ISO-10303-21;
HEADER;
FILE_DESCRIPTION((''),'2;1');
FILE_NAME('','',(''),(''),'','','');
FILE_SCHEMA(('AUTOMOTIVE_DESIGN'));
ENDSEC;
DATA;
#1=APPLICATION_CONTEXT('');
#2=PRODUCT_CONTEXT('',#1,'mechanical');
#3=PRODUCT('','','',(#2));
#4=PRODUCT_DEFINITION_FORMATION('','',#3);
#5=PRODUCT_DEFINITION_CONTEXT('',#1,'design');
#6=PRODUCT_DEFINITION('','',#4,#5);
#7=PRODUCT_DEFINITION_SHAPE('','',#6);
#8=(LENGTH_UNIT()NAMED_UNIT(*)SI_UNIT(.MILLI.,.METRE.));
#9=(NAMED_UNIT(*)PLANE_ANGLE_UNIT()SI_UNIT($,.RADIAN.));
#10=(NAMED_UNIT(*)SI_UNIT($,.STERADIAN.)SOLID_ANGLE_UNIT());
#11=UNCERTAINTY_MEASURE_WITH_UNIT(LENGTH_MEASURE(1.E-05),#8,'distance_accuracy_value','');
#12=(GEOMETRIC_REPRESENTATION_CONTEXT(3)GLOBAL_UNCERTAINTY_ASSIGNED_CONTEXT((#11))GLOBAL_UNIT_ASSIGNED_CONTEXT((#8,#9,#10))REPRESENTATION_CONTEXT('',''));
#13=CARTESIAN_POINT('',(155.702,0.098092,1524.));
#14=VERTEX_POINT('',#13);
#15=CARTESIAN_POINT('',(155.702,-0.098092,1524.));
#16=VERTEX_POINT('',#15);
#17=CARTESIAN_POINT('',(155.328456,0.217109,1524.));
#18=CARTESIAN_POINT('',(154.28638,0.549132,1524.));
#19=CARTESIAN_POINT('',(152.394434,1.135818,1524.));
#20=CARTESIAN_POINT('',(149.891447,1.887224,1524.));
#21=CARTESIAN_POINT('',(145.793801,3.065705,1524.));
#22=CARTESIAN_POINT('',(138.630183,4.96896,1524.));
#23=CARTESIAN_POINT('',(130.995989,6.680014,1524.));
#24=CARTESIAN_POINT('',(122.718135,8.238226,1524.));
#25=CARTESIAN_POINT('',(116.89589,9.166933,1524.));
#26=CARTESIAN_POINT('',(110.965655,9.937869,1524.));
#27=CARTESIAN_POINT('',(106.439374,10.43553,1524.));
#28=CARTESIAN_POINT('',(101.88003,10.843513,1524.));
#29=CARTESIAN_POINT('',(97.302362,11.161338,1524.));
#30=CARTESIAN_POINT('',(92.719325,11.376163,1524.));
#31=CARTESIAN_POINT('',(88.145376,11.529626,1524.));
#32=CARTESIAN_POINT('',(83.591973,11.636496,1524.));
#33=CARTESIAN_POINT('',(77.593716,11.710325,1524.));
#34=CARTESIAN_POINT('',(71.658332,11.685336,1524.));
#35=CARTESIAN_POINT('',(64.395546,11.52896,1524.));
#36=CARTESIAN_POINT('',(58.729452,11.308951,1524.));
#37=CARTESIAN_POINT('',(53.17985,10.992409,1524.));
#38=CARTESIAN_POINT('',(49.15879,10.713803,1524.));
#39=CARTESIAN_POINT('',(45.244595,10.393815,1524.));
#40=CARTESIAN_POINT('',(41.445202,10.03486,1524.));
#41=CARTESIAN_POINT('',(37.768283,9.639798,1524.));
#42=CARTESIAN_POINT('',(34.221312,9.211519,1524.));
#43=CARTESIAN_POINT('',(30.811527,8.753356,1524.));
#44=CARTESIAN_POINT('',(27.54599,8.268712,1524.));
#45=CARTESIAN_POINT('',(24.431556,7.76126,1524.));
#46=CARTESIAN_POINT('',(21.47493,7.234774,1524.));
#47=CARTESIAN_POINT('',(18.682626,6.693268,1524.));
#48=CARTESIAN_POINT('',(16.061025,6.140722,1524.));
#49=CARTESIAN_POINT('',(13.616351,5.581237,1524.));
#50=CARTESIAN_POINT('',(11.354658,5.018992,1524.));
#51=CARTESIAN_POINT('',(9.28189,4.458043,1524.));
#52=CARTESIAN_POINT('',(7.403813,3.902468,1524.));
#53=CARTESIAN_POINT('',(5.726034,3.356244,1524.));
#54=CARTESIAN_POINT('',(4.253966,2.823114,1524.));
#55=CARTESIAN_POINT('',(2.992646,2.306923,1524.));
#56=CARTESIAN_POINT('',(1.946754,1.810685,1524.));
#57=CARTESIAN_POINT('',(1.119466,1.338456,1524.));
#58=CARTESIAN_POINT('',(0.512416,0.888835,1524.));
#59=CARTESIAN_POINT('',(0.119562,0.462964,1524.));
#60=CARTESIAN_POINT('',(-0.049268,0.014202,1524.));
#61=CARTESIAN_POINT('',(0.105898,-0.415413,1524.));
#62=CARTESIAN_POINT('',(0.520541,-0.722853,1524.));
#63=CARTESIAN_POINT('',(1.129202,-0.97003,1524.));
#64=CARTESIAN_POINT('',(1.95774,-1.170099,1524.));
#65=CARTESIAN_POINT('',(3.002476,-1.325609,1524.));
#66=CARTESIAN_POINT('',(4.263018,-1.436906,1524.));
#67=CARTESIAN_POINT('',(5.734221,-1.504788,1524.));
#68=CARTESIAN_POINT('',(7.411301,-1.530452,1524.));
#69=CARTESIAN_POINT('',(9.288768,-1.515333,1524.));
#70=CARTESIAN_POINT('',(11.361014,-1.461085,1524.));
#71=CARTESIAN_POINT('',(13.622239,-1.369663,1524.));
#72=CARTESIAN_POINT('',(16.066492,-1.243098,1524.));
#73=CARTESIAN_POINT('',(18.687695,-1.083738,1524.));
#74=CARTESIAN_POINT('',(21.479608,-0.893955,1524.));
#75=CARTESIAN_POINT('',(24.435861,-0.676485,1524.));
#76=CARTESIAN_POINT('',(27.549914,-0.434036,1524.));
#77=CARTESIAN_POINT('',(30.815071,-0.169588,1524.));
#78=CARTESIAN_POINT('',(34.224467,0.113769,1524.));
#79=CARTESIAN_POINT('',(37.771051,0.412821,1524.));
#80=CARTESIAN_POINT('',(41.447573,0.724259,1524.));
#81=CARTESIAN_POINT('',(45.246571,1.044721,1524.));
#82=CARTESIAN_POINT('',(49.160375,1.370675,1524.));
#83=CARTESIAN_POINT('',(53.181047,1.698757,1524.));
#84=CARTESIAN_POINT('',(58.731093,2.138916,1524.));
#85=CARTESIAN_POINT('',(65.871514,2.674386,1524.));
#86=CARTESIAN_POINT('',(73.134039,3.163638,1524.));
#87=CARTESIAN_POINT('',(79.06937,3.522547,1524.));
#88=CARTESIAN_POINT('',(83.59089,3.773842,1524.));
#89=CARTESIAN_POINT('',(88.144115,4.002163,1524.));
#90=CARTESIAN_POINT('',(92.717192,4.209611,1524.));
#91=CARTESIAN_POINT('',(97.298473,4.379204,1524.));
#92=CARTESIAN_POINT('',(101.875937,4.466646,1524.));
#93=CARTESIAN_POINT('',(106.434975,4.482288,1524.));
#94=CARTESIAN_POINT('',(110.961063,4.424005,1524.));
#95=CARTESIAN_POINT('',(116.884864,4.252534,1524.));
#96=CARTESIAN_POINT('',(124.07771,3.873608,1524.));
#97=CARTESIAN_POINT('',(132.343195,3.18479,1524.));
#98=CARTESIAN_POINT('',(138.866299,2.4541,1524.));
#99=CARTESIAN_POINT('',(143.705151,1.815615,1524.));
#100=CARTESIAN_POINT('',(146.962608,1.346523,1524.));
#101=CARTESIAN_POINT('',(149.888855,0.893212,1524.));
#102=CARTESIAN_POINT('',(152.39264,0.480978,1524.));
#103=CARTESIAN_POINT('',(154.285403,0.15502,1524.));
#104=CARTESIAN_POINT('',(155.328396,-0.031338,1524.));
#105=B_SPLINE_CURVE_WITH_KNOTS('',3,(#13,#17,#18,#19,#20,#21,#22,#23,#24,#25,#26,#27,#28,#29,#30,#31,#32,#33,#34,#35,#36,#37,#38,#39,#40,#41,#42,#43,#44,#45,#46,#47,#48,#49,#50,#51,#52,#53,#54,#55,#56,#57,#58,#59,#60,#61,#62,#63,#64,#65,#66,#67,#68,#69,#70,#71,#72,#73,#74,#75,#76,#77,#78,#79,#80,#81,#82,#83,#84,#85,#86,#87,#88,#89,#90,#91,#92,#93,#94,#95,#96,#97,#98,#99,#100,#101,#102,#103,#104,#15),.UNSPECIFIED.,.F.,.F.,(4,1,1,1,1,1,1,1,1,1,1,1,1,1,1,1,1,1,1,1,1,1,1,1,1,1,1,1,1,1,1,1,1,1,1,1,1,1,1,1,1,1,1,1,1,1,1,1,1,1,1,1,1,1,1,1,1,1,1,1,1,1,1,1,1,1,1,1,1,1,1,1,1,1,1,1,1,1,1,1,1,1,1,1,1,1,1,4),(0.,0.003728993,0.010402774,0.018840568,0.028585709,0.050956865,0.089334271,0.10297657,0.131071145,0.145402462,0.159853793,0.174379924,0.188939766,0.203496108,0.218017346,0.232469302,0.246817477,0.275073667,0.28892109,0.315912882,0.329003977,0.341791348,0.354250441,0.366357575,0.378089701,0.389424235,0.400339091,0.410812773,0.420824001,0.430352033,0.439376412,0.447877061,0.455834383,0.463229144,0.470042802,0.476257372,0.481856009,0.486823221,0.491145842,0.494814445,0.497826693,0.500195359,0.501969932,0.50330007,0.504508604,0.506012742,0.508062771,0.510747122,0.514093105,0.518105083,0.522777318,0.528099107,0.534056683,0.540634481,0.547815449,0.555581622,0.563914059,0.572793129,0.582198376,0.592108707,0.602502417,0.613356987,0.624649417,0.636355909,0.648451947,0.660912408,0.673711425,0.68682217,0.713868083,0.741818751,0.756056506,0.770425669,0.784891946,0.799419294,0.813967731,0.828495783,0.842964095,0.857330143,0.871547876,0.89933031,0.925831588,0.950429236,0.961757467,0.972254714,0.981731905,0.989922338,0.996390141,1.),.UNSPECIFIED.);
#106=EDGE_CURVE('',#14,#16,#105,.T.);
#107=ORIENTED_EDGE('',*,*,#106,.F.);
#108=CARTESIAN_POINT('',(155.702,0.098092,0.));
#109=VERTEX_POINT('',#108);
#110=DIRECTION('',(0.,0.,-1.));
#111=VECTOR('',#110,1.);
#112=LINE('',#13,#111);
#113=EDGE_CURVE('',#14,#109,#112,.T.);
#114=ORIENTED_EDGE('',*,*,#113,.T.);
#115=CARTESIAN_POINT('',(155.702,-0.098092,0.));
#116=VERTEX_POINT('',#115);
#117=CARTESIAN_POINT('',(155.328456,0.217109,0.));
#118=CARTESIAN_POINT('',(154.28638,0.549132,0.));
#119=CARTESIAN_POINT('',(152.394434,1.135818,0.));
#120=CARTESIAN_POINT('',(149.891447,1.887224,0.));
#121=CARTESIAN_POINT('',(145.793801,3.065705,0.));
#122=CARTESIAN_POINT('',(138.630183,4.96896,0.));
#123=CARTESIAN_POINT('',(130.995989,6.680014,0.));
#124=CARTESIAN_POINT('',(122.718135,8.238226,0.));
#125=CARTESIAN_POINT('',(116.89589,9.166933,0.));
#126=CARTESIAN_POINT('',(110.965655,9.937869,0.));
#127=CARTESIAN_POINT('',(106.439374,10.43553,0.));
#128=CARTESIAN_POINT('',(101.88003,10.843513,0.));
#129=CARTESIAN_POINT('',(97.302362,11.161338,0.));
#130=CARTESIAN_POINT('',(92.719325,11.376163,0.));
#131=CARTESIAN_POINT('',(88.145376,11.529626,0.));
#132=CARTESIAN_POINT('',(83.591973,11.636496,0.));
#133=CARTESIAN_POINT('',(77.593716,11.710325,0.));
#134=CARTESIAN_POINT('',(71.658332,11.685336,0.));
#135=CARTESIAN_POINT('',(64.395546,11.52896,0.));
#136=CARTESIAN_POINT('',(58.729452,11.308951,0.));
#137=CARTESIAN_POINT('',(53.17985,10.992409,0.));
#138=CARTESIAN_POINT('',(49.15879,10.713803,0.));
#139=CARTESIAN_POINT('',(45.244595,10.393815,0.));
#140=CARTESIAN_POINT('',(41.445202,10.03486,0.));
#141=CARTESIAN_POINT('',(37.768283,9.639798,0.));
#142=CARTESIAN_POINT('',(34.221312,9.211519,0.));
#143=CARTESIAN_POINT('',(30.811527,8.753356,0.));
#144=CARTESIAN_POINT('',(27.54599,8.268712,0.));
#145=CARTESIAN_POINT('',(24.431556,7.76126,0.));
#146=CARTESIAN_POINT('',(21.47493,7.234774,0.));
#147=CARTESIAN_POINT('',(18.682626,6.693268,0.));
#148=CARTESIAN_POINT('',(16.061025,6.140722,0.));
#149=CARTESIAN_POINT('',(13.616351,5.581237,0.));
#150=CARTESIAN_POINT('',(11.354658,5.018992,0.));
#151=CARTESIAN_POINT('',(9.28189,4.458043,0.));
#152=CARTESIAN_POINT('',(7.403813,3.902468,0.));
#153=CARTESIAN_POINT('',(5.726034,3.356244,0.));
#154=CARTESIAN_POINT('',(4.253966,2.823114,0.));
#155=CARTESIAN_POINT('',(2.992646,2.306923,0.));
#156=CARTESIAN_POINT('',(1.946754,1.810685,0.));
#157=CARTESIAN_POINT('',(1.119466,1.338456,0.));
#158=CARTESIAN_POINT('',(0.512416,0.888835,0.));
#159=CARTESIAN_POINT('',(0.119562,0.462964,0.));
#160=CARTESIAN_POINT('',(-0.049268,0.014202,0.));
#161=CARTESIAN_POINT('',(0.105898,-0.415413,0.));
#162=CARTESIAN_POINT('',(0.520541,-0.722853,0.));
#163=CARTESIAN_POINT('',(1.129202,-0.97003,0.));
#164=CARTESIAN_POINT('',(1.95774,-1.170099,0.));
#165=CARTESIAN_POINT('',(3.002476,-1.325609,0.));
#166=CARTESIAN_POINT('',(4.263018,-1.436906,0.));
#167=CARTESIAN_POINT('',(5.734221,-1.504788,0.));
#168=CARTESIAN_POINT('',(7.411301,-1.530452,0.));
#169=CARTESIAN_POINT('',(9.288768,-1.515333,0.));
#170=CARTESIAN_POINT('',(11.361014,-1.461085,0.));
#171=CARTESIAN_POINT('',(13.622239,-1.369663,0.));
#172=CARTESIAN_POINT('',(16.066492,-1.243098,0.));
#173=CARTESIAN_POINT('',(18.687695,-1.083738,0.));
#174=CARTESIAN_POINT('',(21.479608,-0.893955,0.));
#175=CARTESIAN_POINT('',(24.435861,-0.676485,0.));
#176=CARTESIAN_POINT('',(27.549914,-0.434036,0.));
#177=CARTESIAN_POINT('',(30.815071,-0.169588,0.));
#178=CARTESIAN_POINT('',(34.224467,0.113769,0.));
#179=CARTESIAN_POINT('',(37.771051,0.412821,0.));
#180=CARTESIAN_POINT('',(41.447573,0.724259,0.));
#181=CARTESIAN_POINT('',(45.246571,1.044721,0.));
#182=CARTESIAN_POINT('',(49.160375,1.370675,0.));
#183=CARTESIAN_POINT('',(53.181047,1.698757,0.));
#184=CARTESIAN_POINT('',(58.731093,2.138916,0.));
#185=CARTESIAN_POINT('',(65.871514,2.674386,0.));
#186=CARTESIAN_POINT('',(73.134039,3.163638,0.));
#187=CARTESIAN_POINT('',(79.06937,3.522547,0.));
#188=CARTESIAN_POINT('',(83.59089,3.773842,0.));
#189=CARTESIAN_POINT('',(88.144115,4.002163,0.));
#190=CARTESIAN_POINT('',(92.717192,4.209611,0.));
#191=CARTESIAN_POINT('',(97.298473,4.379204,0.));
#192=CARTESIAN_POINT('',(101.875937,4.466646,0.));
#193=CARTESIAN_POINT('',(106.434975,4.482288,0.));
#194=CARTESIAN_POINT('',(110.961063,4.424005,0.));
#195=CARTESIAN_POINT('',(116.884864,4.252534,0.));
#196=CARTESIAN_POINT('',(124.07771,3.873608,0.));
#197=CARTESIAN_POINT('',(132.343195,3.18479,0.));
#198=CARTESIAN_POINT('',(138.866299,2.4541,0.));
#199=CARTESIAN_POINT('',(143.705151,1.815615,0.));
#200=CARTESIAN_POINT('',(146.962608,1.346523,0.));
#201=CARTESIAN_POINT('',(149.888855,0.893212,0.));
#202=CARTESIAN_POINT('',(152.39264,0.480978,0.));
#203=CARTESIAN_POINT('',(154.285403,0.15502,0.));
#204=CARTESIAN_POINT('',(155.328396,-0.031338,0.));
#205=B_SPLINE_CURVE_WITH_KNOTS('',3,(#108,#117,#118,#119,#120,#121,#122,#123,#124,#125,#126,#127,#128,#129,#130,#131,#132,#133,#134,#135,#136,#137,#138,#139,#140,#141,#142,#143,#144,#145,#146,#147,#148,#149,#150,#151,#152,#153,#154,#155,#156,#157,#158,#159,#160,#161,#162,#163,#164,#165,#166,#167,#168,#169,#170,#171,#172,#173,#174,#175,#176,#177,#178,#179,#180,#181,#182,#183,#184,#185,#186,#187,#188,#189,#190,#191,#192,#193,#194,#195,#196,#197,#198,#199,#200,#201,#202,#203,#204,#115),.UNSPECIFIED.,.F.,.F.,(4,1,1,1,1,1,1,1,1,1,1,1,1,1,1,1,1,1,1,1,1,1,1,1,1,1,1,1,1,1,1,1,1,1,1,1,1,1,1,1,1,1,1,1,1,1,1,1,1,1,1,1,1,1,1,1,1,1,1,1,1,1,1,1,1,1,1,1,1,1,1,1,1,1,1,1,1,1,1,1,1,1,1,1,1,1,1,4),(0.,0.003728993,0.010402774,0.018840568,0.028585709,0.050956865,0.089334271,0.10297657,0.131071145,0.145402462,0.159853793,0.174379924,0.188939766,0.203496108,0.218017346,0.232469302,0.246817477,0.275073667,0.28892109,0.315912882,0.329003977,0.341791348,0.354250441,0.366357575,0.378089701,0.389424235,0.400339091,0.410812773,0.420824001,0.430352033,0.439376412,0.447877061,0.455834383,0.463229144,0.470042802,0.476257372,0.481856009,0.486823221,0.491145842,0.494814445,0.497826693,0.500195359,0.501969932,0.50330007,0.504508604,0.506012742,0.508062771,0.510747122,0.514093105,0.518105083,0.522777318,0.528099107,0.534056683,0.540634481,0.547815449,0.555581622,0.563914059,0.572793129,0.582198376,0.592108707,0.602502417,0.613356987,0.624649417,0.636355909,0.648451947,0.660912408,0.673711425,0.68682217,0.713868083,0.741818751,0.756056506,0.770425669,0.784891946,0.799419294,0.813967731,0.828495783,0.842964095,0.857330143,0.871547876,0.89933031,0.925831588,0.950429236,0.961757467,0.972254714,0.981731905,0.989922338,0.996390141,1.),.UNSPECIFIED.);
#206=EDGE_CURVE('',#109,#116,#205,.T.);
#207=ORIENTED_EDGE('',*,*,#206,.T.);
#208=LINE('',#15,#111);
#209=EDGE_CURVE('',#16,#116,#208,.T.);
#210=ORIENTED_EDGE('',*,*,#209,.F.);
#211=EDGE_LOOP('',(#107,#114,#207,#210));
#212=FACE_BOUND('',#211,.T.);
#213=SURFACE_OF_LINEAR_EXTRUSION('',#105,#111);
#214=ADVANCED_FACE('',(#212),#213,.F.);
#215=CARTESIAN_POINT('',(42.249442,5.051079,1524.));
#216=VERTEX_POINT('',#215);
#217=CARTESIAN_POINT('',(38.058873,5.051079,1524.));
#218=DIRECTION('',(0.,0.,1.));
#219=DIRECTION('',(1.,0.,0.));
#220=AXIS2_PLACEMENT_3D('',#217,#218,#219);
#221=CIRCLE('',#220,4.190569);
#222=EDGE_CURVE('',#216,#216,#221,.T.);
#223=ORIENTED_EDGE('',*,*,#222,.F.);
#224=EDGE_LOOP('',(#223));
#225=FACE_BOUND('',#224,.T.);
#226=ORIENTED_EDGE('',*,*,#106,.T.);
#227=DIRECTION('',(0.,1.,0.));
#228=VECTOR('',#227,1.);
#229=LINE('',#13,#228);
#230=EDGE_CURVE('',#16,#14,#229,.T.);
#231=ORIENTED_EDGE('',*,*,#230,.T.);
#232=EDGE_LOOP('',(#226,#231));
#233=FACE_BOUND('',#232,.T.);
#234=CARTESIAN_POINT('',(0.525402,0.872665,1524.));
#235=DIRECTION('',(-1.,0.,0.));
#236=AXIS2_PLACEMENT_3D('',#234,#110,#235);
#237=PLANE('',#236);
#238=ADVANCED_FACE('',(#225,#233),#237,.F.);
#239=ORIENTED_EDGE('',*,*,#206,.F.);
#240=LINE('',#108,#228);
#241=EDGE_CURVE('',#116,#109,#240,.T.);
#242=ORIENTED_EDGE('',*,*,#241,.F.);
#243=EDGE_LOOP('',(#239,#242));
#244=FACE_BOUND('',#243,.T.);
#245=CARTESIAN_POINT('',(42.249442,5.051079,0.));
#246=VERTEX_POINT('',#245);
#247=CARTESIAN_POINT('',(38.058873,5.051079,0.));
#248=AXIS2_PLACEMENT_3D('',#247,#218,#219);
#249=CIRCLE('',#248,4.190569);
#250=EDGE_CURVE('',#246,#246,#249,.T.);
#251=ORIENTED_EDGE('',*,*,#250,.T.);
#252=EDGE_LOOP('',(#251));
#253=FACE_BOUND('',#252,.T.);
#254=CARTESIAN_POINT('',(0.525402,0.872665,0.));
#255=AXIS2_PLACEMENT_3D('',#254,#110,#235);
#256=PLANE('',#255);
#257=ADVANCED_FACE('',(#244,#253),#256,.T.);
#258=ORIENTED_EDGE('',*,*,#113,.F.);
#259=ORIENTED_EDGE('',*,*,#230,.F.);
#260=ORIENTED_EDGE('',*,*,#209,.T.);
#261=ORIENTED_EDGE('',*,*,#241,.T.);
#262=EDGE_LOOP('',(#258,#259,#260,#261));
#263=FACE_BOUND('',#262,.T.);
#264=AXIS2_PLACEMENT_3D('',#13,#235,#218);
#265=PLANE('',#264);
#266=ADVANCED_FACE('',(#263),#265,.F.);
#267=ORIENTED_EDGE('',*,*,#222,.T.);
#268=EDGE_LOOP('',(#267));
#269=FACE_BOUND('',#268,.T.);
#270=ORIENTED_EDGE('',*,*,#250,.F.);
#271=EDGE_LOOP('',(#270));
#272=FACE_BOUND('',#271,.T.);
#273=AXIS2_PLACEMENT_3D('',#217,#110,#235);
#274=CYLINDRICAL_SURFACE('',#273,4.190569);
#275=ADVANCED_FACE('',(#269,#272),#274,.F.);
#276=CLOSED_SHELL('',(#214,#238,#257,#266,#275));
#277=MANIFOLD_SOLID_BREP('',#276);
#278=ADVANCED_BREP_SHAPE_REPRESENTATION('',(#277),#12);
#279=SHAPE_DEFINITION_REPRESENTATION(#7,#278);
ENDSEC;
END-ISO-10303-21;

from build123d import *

# Parameters (mm, degrees)
SKETCH4_R           = 4.190569407
BOSS_EXTRUDE1_DEPTH = 1524


with BuildPart() as part:
    # Sketch4 → Boss-Extrude1 (new body)
    with BuildSketch(Plane.XY):
        with BuildLine():
            Line((155.702, 0.09809226), (155.702, -0.09809226))
            add(Edge.make_bspline(
                [(155.702, 0.09809226), (155.328455855, 0.21710942), (154.286379593, 0.549131644), (152.394434019, 1.135817898), (149.891446959, 1.887224122), (145.793800915, 3.065705429), (138.630182944, 4.968959508), (130.995988524, 6.68001387), (122.718135251, 8.23822641), (116.895890211, 9.166933244), (110.965655094, 9.937868735), (106.439374347, 10.435530424), (101.880030212, 10.843512829), (97.302362083, 11.161337519), (92.719325075, 11.376163119), (88.145375843, 11.529626054), (83.591973029, 11.636495982), (77.593716024, 11.710324659), (71.65833236, 11.685336347), (64.395545854, 11.52895988), (58.729451807, 11.30895133), (53.179849991, 10.992408761), (49.158789871, 10.713803162), (45.244594624, 10.393814748), (41.445202346, 10.034860451), (37.768282987, 9.639798138), (34.221312333, 9.211519042), (30.811527131, 8.75335647), (27.545989891, 8.268711541), (24.431555888, 7.761259757), (21.474930217, 7.234773828), (18.682626039, 6.693268182), (16.061024886, 6.140722414), (13.616351477, 5.581236837), (11.354657589, 5.018991745), (9.281890048, 4.458043189), (7.403813332, 3.902468458), (5.726033741, 3.356244159), (4.253966058, 2.823113628), (2.992645913, 2.306923182), (1.946754178, 1.8106852), (1.11946567, 1.338455793), (0.51241595, 0.888835226), (0.119562154, 0.462964377), (-0.04926786, 0.014201617), (0.10589775, -0.415412747), (0.520541366, -0.722853173), (1.129201705, -0.970029586), (1.957739862, -1.170098781), (3.002476487, -1.325609165), (4.263017798, -1.436906193), (5.734221446, -1.504788305), (7.411300699, -1.530452334), (9.288767614, -1.515333205), (11.36101404, -1.461084505), (13.62223909, -1.36966255), (16.066491709, -1.243097702), (18.687694771, -1.083738205), (21.479608446, -0.893954737), (24.43586128, -0.67648534), (27.549914466, -0.434035783), (30.815070608, -0.169587971), (34.224467498, 0.11376911), (37.771050722, 0.412820725), (41.447573159, 0.724258516), (45.246571387, 1.044721462), (49.160375079, 1.370674673), (53.181047287, 1.698756545), (58.731093411, 2.138916251), (65.871514228, 2.67438646), (73.134038571, 3.163637806), (79.06937037, 3.522547097), (83.590890156, 3.773842058), (88.144115441, 4.002163141), (92.717191906, 4.209610802), (97.298472859, 4.379203617), (101.87593735, 4.466645531), (106.434975089, 4.482287553), (110.961062663, 4.424004537), (116.884864026, 4.252534303), (124.077709927, 3.873607969), (132.343195007, 3.184789966), (138.866298944, 2.454100161), (143.705151457, 1.815614511), (146.96260774, 1.346522875), (149.88885512, 0.893212117), (152.392639903, 0.480978033), (154.285403175, 0.155019879), (155.328395834, -0.031338087), (155.702, -0.09809226)],
                knots=[0, 0, 0, 0, 0.003728993, 0.010402774, 0.018840568, 0.028585709, 0.050956865, 0.089334271, 0.10297657, 0.131071145, 0.145402462, 0.159853793, 0.174379924, 0.188939766, 0.203496108, 0.218017346, 0.232469302, 0.246817477, 0.275073667, 0.28892109, 0.315912882, 0.329003977, 0.341791348, 0.354250441, 0.366357575, 0.378089701, 0.389424235, 0.400339091, 0.410812773, 0.420824001, 0.430352033, 0.439376412, 0.447877061, 0.455834383, 0.463229144, 0.470042802, 0.476257372, 0.481856009, 0.486823221, 0.491145842, 0.494814445, 0.497826693, 0.500195359, 0.501969932, 0.50330007, 0.504508604, 0.506012742, 0.508062771, 0.510747122, 0.514093105, 0.518105083, 0.522777318, 0.528099107, 0.534056683, 0.540634481, 0.547815449, 0.555581622, 0.563914059, 0.572793129, 0.582198376, 0.592108707, 0.602502417, 0.613356987, 0.624649417, 0.636355909, 0.648451947, 0.660912408, 0.673711425, 0.68682217, 0.713868083, 0.741818751, 0.756056506, 0.770425669, 0.784891946, 0.799419294, 0.813967731, 0.828495783, 0.842964095, 0.857330143, 0.871547876, 0.89933031, 0.925831588, 0.950429236, 0.961757467, 0.972254714, 0.981731905, 0.989922338, 0.996390141, 1, 1, 1, 1], degree=3))
        make_face()
        with Locations((38.058872587, 5.051078985)):
            Circle(SKETCH4_R, mode=Mode.SUBTRACT)
    extrude(amount=BOSS_EXTRUDE1_DEPTH)


solid = part.part
